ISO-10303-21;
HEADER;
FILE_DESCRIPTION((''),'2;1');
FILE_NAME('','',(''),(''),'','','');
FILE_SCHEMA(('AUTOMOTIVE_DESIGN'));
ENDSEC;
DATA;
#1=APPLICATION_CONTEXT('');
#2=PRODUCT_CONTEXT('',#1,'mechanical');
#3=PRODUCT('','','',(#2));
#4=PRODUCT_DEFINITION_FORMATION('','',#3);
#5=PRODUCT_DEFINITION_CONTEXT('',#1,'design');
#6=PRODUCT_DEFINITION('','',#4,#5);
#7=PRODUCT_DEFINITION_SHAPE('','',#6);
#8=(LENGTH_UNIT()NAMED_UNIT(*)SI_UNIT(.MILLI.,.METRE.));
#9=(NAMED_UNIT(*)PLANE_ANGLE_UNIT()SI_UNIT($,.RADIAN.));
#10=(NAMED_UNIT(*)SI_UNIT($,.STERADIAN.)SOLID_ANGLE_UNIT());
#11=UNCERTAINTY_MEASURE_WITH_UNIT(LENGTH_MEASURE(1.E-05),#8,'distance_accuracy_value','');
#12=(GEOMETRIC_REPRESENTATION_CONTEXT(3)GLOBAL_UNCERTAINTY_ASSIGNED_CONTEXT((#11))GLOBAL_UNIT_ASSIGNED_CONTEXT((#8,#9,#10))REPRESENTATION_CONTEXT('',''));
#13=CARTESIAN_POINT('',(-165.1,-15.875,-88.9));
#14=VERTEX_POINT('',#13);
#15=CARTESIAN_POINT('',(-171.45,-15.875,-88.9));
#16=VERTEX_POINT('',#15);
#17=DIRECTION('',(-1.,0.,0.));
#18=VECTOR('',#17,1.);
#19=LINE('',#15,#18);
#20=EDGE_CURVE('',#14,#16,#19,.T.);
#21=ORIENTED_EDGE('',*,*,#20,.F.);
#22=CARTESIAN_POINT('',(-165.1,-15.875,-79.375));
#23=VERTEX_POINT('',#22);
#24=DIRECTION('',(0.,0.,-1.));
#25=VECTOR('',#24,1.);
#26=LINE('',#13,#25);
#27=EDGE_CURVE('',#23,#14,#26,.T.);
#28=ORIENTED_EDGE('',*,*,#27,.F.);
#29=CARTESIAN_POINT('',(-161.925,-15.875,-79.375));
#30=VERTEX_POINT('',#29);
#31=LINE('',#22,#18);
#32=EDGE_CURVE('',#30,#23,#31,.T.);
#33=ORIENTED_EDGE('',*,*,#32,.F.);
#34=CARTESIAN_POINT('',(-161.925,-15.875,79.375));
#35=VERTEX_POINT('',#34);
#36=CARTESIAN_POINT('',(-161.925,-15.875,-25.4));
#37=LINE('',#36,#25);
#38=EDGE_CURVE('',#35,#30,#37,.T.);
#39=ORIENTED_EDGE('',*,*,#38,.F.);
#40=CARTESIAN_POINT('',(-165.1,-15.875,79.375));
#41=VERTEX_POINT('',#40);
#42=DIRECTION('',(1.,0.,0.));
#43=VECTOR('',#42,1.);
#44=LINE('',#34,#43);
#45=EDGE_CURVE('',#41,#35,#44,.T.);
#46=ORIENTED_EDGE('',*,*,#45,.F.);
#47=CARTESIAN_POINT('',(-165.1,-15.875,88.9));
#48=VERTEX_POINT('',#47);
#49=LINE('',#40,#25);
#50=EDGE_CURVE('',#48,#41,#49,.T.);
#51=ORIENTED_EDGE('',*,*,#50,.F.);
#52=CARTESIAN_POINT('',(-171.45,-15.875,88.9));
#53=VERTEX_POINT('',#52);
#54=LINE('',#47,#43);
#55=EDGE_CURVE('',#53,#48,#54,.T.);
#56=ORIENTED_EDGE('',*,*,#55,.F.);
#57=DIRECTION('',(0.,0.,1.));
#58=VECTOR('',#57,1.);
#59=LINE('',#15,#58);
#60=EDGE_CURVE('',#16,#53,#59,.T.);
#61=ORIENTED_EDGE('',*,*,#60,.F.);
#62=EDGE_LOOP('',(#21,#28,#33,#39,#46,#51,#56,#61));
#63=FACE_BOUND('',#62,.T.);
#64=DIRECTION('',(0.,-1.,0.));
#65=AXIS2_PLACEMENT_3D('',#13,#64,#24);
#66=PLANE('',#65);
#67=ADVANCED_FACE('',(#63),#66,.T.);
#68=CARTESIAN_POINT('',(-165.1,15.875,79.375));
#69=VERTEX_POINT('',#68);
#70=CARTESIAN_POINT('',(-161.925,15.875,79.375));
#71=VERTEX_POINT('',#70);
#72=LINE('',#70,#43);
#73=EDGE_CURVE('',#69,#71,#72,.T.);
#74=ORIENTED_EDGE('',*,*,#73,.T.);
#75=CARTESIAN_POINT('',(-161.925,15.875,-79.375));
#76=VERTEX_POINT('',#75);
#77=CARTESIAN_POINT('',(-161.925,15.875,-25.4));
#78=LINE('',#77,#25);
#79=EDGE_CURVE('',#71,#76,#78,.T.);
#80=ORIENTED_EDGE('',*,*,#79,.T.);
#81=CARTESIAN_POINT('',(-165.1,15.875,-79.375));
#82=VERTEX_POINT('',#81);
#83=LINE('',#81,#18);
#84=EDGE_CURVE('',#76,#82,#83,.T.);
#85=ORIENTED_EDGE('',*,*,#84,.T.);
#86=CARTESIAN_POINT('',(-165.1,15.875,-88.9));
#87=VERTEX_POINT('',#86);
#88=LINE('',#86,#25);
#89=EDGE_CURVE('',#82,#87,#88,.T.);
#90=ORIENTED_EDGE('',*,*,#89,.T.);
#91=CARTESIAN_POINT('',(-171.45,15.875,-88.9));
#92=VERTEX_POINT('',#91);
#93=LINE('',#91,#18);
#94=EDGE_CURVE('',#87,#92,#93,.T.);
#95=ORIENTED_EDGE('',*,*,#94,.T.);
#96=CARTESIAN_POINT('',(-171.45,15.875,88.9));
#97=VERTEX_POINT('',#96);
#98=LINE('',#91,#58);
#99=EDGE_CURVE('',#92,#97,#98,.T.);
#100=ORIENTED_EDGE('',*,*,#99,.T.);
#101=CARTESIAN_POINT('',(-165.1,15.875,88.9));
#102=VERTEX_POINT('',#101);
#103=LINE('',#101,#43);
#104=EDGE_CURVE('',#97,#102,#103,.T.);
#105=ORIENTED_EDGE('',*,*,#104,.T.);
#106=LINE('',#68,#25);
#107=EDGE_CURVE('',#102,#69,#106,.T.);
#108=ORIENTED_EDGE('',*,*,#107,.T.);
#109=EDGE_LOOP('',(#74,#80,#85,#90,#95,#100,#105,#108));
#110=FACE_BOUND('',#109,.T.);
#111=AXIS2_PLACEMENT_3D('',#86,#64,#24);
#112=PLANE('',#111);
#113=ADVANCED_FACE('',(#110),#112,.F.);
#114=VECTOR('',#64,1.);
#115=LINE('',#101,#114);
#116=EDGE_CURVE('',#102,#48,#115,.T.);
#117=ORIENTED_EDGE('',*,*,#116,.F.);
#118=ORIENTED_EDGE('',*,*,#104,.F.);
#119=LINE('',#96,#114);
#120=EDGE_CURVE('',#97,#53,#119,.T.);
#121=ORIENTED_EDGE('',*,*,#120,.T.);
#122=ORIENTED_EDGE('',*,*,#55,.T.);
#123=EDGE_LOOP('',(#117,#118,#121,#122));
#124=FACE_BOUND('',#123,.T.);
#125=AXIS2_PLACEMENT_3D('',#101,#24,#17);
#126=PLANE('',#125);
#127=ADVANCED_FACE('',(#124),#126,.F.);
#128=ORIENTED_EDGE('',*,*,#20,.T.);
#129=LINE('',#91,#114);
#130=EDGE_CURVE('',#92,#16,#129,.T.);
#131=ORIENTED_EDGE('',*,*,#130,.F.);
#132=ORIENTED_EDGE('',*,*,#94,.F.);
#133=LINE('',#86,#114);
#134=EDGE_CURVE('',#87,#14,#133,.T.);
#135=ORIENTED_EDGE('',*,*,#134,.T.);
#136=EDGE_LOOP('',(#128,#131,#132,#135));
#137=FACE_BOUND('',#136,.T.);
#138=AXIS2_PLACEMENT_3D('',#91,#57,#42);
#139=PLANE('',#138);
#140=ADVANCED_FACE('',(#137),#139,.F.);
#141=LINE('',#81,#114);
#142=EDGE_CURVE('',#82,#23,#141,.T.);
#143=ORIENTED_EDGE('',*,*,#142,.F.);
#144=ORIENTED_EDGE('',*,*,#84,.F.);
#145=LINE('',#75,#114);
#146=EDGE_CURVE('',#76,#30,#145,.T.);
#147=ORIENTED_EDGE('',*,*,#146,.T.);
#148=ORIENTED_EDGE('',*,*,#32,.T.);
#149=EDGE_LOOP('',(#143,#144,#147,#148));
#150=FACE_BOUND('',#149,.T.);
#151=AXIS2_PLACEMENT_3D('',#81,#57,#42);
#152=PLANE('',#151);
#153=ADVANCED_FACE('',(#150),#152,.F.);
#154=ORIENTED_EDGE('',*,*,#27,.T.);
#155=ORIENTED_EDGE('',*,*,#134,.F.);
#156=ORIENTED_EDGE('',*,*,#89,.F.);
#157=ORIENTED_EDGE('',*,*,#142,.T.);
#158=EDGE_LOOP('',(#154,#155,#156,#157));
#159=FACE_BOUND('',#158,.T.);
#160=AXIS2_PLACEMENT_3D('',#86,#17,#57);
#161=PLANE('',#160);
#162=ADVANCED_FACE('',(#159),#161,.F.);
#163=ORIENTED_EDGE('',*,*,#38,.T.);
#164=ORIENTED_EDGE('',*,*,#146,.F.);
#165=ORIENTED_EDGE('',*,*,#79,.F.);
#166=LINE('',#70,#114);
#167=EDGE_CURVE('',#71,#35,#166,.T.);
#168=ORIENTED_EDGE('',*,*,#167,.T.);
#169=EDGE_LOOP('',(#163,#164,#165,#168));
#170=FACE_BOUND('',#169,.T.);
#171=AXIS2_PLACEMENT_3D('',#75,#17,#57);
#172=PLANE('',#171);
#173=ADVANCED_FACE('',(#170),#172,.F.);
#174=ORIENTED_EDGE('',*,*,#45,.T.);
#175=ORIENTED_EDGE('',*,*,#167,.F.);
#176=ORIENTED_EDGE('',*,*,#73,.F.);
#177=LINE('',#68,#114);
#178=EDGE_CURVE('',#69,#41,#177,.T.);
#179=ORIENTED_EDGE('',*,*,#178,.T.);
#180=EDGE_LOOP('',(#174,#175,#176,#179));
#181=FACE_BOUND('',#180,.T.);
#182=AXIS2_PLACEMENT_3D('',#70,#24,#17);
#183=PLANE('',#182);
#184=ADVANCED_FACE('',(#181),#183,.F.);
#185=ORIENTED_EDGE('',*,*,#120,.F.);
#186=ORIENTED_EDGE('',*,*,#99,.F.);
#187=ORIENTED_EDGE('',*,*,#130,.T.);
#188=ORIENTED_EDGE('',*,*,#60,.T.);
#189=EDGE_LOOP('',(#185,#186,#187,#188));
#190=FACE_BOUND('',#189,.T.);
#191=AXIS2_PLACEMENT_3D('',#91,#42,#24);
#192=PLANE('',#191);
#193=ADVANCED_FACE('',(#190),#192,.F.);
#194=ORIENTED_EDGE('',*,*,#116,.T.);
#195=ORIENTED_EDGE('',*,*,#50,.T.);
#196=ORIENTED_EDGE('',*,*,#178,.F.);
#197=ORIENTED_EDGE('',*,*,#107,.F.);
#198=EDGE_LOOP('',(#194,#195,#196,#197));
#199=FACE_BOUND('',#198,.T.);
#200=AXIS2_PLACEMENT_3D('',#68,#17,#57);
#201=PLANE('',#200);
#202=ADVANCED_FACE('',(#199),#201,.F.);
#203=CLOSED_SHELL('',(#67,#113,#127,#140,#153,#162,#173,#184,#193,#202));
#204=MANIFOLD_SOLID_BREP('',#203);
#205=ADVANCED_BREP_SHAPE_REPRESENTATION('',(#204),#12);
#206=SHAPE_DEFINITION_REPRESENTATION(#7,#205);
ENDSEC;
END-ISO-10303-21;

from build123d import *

# Parameters (mm, degrees)
BOSS_EXTRUDE1_DEPTH      = 15.875
BOSS_EXTRUDE1_DEPTH_BACK = 15.875


with BuildPart() as part:
    # Sketch2 → Boss-Extrude1 (new, two sides: drawn at the far end of the back side and taken through both)
    with BuildSketch(Plane(origin=(0, 0, 0), x_dir=(1, 0, 0), z_dir=(0, 1, 0)).offset(-BOSS_EXTRUDE1_DEPTH_BACK)):
        Polygon((-171.45, 88.9), (-171.45, -88.9), (-165.1, -88.9), (-165.1, -79.375), (-161.925, -79.375), (-161.925, 25.4), (-161.925, 34.925), (-161.925, 79.375), (-165.1, 79.375), (-165.1, 88.9), align=None)
    extrude(amount=BOSS_EXTRUDE1_DEPTH + BOSS_EXTRUDE1_DEPTH_BACK)


solid = part.part
